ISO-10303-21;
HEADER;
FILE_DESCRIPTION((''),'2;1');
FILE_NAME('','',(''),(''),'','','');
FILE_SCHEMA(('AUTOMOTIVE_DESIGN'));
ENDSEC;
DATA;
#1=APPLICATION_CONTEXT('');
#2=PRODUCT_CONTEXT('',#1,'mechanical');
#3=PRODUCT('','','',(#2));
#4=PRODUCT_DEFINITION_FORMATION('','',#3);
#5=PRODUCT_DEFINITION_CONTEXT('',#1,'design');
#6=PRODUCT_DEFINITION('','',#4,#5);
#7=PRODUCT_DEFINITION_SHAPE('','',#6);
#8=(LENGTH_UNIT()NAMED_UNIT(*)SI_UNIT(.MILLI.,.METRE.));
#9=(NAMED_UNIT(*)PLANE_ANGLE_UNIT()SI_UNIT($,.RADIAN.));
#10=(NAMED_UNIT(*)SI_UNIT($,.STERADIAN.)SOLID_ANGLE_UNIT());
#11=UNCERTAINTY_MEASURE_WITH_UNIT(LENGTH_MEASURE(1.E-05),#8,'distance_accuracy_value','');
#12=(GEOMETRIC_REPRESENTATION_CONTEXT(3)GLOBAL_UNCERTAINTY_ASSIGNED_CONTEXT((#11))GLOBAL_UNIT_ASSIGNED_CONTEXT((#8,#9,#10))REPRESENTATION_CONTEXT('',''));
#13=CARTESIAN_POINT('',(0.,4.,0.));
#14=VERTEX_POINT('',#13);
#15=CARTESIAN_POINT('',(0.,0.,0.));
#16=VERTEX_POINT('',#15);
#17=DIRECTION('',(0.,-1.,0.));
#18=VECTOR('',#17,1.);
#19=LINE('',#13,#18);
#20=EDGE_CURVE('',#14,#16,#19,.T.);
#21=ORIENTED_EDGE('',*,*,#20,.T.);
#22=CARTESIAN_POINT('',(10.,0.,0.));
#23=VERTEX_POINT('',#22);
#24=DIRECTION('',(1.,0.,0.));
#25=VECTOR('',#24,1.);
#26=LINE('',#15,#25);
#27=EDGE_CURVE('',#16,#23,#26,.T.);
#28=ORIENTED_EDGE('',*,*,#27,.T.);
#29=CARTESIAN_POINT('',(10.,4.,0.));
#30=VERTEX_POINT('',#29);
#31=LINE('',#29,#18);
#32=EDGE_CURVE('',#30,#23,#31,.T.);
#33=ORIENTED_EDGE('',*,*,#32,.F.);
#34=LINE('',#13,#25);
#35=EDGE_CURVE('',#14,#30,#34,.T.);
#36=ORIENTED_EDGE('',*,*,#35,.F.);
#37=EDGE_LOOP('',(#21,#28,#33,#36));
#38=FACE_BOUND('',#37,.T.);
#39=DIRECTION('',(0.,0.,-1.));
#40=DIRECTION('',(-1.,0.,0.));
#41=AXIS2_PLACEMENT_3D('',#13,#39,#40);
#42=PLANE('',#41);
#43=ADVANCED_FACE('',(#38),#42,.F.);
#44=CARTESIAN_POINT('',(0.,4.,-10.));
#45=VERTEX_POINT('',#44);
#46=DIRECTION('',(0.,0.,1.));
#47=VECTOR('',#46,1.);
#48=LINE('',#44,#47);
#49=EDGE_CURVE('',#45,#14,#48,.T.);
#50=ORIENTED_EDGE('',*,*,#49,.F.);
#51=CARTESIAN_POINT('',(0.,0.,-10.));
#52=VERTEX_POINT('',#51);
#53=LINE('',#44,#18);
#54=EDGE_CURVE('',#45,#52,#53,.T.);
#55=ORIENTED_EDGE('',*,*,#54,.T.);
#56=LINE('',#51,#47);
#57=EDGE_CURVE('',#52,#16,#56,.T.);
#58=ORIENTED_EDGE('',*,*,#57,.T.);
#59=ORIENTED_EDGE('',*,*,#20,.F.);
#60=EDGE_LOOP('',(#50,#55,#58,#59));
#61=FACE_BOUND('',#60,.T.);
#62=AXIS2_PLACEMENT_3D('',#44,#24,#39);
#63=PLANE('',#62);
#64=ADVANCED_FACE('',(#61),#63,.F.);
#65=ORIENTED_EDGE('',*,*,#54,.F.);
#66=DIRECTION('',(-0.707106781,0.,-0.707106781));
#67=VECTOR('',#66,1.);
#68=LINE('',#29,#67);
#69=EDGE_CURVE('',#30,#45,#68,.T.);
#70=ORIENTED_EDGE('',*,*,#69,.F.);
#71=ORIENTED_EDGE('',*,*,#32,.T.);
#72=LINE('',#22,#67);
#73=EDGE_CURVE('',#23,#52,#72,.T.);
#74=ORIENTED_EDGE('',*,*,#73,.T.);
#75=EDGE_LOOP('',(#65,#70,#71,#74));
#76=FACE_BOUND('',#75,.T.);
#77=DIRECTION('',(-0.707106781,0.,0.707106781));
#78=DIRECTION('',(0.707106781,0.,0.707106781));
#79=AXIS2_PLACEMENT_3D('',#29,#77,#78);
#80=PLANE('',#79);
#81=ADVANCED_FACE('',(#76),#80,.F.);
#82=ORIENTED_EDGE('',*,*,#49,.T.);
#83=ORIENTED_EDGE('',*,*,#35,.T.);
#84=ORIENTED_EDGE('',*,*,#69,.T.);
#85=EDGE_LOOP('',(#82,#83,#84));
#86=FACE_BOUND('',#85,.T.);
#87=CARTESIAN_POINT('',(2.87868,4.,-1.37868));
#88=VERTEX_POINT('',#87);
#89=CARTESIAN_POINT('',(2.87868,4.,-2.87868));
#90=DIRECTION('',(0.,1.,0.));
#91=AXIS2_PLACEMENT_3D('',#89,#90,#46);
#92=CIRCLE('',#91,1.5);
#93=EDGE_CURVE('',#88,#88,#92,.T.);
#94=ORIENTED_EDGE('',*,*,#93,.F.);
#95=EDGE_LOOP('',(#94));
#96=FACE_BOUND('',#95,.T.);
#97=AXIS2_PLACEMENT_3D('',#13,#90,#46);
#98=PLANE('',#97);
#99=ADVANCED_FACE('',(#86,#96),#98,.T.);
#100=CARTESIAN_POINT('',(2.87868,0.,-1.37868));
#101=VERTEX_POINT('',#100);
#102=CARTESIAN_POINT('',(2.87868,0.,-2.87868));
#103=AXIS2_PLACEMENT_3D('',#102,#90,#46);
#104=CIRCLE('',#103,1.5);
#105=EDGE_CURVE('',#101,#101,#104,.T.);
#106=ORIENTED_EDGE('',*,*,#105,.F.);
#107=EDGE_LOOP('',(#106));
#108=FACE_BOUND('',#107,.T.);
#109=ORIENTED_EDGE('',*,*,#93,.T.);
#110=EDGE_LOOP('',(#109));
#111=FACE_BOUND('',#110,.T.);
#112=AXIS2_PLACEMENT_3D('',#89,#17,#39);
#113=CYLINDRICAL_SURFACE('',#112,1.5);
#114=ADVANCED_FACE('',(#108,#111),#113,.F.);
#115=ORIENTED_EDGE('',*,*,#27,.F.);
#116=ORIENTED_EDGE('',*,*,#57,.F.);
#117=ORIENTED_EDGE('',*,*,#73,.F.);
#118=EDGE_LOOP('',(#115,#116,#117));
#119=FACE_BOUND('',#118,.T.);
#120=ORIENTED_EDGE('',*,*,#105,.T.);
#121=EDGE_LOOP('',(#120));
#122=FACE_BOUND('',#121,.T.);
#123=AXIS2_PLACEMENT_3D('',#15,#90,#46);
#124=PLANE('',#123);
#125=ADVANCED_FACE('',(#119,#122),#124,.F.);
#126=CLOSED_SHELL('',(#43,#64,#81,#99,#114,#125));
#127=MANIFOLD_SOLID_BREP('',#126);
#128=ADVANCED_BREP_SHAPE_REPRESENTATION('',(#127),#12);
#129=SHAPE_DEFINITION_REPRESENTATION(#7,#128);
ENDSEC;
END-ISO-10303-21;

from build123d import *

# Parameters (mm, degrees)
SKETCH1_R           = 1.5
BOSS_EXTRUDE1_DEPTH = 4


with BuildPart() as part:
    # Sketch1 → Boss-Extrude1 (new body)
    with BuildSketch(Plane(origin=(0, 0, 0), x_dir=(1, 0, 0), z_dir=(0, 1, 0))):
        Polygon((0, 10), (0, 0), (10, 0), align=None)
        with Locations(Location((2.878679656, 2.878679656, 0), (0, 0, 270))):
            Circle(SKETCH1_R, mode=Mode.SUBTRACT)
    extrude(amount=BOSS_EXTRUDE1_DEPTH)


solid = part.part
